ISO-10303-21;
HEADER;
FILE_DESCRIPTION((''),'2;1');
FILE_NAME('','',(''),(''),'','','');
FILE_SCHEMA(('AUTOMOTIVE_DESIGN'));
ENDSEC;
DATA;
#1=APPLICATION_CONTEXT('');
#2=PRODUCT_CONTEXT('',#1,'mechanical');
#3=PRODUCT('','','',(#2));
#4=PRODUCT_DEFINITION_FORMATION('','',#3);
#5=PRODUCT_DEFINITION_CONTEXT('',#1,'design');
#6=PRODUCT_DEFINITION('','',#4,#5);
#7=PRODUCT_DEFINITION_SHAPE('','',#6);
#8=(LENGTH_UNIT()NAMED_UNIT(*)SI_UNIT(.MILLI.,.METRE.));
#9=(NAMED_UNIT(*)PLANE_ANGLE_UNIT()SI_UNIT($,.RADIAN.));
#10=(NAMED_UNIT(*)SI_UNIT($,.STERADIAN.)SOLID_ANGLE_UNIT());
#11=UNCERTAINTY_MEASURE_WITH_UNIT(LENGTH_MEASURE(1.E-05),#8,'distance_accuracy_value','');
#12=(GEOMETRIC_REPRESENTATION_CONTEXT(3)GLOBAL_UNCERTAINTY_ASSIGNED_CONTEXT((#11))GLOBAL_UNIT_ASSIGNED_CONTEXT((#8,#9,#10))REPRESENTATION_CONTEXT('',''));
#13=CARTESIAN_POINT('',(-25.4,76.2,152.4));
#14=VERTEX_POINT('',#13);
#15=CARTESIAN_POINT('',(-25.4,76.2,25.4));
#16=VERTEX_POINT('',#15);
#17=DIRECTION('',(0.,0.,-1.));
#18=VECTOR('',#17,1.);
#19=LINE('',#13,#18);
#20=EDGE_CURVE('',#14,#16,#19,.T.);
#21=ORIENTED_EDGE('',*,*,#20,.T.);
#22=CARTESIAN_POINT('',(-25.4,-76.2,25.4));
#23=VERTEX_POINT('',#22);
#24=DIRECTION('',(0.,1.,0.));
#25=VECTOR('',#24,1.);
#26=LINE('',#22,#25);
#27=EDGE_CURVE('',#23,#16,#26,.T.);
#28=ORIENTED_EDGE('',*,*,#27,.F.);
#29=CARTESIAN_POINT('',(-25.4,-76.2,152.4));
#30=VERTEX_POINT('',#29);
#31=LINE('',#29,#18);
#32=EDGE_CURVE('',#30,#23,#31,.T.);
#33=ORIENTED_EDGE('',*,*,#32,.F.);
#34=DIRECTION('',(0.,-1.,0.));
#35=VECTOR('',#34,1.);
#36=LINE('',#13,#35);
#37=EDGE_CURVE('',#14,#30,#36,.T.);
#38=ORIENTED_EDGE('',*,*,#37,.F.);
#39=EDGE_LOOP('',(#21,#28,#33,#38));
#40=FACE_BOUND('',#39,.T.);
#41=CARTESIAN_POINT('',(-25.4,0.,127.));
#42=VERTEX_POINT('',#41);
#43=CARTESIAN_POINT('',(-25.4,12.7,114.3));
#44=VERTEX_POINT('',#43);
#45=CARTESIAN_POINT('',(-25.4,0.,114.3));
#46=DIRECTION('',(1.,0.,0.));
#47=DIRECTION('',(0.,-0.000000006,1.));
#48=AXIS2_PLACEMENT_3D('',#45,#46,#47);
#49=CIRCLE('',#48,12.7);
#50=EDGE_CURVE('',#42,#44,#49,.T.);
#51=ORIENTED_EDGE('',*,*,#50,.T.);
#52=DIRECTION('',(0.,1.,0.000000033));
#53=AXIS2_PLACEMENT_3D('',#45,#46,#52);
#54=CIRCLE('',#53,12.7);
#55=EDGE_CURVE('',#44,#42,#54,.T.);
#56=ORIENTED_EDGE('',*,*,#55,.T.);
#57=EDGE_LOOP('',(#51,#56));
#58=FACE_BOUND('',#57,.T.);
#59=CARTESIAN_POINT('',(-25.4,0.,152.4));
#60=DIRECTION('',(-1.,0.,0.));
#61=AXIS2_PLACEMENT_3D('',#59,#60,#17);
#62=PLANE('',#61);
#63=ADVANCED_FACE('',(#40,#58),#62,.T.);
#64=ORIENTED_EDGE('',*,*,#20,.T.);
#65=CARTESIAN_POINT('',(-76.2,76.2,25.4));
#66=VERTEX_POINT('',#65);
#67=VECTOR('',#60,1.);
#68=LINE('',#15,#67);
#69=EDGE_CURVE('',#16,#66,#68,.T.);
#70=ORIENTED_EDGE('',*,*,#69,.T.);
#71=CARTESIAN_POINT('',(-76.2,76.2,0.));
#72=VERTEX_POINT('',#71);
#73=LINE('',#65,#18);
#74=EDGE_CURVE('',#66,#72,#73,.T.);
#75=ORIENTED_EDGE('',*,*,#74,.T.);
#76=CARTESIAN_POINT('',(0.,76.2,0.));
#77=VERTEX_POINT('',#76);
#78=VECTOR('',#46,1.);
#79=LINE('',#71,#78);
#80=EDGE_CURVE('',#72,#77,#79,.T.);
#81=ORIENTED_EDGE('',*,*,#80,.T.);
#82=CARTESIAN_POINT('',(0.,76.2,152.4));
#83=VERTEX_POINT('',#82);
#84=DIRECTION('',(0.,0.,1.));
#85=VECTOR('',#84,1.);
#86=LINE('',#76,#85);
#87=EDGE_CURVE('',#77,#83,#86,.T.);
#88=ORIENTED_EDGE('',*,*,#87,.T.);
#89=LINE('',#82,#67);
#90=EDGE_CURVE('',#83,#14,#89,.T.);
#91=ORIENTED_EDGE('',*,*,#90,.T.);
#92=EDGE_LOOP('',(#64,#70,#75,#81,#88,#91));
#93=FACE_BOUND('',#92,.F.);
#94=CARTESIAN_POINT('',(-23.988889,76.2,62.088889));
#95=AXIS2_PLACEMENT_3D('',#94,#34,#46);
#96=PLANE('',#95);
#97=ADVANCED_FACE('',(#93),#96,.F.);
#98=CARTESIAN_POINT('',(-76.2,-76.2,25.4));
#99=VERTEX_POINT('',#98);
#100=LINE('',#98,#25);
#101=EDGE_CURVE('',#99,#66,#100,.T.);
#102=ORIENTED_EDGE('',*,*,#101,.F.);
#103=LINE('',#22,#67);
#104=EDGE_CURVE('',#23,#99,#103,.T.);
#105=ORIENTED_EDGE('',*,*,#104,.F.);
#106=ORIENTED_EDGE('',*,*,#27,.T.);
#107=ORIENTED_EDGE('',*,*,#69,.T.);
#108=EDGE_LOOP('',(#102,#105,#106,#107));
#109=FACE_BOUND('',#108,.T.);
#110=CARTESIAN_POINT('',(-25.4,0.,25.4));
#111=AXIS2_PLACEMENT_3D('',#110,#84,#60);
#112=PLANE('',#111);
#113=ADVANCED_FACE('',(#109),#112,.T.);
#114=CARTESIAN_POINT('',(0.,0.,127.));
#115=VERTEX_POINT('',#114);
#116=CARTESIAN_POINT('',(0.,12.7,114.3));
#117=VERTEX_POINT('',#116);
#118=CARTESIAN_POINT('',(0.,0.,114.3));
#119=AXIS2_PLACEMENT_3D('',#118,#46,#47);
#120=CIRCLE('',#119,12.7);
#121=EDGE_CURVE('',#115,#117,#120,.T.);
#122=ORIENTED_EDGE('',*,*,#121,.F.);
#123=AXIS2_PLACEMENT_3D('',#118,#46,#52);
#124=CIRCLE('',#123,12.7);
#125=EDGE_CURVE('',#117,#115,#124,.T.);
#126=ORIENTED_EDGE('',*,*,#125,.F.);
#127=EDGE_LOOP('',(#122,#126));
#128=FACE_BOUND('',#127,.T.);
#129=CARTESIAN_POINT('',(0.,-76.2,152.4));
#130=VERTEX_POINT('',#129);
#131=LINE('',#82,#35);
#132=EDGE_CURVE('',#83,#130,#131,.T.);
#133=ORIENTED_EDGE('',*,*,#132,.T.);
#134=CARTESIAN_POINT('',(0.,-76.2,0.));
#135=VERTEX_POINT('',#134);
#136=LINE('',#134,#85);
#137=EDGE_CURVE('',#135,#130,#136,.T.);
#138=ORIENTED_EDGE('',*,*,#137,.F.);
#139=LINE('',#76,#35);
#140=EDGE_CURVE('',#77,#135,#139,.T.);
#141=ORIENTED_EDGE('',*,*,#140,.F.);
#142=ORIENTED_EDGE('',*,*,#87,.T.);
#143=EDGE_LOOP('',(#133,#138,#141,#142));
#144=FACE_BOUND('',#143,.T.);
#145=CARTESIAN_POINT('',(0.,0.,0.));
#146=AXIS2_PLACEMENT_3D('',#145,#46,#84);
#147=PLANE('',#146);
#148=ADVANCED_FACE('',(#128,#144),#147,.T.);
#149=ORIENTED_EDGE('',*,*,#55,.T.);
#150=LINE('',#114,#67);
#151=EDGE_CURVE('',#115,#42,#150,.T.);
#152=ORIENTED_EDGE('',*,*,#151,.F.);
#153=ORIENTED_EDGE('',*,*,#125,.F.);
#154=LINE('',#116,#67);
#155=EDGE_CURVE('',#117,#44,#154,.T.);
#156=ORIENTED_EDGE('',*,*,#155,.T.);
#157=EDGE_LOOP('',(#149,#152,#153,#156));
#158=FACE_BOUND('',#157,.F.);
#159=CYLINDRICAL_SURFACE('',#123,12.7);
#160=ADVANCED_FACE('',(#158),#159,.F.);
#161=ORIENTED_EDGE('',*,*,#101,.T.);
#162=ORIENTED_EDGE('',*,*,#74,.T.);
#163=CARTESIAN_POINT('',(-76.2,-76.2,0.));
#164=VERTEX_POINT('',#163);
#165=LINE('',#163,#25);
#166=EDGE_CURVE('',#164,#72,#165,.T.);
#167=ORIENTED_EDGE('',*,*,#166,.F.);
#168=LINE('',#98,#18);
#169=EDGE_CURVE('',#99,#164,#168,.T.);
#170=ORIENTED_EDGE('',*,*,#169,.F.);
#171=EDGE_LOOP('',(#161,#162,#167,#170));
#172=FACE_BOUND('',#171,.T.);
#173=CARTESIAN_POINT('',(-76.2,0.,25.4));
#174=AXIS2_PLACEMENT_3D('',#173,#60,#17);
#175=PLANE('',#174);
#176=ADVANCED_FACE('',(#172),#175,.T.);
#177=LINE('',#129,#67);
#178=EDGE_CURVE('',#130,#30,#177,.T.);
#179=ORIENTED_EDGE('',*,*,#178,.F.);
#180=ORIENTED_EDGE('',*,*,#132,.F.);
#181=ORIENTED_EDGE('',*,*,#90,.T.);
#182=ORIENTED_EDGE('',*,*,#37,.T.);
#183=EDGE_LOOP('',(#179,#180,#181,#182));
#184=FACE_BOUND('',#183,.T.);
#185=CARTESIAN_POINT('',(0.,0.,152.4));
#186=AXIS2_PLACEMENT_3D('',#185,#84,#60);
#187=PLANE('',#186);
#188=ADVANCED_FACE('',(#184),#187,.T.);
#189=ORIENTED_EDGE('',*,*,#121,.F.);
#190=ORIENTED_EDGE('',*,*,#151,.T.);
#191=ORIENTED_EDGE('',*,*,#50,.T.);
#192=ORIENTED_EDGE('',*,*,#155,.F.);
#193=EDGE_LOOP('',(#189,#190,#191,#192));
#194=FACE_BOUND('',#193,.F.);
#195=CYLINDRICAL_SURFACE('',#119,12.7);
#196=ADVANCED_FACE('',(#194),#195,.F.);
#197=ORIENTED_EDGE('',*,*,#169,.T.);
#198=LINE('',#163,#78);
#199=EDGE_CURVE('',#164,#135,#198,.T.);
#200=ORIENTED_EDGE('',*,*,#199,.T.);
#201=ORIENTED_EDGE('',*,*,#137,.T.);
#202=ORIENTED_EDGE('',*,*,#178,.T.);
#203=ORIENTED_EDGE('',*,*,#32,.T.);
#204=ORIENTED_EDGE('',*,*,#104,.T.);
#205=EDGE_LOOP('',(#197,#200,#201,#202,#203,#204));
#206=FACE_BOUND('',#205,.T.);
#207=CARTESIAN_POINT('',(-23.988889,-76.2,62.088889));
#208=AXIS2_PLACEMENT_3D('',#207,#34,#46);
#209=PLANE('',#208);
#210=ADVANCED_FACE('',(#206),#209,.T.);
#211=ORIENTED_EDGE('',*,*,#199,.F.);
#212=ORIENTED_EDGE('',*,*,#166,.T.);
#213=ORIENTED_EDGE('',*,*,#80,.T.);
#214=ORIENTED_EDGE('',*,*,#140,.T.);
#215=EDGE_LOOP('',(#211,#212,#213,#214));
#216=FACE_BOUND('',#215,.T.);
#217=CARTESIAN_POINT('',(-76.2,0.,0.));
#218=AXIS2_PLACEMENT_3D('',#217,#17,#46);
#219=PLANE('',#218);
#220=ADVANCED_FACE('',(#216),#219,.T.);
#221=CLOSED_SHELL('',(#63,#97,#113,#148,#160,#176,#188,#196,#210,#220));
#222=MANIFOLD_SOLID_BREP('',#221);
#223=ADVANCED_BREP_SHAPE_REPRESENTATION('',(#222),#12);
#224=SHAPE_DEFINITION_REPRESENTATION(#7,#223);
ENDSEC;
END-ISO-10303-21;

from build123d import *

# Parameters (mm, degrees)
F1_DEPTH = 76.2
F3_DEPTH = 50.8


with BuildPart() as f1:
    # F0 (on Front) → F1 (new body, symmetric)
    with BuildSketch(Plane.XZ):
        Polygon((-76.2, 0), (0, 0), (0, 152.4), (-25.4, 152.4), (-25.4, 25.4), (-76.2, 25.4), align=None)
    extrude(amount=F1_DEPTH, both=True)

    # F2 (on face) → F3 (cut)
    with BuildSketch(Plane.YZ):
        with BuildLine():
            Line((0, 114.3), (0, 127))
            ThreePointArc((0, 127), (-8.980256, 105.319744), (12.7, 114.3))
            Line((12.7, 114.3), (0, 114.3))
        make_face()
        with BuildLine():
            ThreePointArc((12.7, 114.3), (8.980256, 123.280256), (0, 127))
            Line((0, 127), (0, 114.3))
            Line((0, 114.3), (12.7, 114.3))
        make_face()
    extrude(amount=-F3_DEPTH, mode=Mode.SUBTRACT)


solid = f1.part
